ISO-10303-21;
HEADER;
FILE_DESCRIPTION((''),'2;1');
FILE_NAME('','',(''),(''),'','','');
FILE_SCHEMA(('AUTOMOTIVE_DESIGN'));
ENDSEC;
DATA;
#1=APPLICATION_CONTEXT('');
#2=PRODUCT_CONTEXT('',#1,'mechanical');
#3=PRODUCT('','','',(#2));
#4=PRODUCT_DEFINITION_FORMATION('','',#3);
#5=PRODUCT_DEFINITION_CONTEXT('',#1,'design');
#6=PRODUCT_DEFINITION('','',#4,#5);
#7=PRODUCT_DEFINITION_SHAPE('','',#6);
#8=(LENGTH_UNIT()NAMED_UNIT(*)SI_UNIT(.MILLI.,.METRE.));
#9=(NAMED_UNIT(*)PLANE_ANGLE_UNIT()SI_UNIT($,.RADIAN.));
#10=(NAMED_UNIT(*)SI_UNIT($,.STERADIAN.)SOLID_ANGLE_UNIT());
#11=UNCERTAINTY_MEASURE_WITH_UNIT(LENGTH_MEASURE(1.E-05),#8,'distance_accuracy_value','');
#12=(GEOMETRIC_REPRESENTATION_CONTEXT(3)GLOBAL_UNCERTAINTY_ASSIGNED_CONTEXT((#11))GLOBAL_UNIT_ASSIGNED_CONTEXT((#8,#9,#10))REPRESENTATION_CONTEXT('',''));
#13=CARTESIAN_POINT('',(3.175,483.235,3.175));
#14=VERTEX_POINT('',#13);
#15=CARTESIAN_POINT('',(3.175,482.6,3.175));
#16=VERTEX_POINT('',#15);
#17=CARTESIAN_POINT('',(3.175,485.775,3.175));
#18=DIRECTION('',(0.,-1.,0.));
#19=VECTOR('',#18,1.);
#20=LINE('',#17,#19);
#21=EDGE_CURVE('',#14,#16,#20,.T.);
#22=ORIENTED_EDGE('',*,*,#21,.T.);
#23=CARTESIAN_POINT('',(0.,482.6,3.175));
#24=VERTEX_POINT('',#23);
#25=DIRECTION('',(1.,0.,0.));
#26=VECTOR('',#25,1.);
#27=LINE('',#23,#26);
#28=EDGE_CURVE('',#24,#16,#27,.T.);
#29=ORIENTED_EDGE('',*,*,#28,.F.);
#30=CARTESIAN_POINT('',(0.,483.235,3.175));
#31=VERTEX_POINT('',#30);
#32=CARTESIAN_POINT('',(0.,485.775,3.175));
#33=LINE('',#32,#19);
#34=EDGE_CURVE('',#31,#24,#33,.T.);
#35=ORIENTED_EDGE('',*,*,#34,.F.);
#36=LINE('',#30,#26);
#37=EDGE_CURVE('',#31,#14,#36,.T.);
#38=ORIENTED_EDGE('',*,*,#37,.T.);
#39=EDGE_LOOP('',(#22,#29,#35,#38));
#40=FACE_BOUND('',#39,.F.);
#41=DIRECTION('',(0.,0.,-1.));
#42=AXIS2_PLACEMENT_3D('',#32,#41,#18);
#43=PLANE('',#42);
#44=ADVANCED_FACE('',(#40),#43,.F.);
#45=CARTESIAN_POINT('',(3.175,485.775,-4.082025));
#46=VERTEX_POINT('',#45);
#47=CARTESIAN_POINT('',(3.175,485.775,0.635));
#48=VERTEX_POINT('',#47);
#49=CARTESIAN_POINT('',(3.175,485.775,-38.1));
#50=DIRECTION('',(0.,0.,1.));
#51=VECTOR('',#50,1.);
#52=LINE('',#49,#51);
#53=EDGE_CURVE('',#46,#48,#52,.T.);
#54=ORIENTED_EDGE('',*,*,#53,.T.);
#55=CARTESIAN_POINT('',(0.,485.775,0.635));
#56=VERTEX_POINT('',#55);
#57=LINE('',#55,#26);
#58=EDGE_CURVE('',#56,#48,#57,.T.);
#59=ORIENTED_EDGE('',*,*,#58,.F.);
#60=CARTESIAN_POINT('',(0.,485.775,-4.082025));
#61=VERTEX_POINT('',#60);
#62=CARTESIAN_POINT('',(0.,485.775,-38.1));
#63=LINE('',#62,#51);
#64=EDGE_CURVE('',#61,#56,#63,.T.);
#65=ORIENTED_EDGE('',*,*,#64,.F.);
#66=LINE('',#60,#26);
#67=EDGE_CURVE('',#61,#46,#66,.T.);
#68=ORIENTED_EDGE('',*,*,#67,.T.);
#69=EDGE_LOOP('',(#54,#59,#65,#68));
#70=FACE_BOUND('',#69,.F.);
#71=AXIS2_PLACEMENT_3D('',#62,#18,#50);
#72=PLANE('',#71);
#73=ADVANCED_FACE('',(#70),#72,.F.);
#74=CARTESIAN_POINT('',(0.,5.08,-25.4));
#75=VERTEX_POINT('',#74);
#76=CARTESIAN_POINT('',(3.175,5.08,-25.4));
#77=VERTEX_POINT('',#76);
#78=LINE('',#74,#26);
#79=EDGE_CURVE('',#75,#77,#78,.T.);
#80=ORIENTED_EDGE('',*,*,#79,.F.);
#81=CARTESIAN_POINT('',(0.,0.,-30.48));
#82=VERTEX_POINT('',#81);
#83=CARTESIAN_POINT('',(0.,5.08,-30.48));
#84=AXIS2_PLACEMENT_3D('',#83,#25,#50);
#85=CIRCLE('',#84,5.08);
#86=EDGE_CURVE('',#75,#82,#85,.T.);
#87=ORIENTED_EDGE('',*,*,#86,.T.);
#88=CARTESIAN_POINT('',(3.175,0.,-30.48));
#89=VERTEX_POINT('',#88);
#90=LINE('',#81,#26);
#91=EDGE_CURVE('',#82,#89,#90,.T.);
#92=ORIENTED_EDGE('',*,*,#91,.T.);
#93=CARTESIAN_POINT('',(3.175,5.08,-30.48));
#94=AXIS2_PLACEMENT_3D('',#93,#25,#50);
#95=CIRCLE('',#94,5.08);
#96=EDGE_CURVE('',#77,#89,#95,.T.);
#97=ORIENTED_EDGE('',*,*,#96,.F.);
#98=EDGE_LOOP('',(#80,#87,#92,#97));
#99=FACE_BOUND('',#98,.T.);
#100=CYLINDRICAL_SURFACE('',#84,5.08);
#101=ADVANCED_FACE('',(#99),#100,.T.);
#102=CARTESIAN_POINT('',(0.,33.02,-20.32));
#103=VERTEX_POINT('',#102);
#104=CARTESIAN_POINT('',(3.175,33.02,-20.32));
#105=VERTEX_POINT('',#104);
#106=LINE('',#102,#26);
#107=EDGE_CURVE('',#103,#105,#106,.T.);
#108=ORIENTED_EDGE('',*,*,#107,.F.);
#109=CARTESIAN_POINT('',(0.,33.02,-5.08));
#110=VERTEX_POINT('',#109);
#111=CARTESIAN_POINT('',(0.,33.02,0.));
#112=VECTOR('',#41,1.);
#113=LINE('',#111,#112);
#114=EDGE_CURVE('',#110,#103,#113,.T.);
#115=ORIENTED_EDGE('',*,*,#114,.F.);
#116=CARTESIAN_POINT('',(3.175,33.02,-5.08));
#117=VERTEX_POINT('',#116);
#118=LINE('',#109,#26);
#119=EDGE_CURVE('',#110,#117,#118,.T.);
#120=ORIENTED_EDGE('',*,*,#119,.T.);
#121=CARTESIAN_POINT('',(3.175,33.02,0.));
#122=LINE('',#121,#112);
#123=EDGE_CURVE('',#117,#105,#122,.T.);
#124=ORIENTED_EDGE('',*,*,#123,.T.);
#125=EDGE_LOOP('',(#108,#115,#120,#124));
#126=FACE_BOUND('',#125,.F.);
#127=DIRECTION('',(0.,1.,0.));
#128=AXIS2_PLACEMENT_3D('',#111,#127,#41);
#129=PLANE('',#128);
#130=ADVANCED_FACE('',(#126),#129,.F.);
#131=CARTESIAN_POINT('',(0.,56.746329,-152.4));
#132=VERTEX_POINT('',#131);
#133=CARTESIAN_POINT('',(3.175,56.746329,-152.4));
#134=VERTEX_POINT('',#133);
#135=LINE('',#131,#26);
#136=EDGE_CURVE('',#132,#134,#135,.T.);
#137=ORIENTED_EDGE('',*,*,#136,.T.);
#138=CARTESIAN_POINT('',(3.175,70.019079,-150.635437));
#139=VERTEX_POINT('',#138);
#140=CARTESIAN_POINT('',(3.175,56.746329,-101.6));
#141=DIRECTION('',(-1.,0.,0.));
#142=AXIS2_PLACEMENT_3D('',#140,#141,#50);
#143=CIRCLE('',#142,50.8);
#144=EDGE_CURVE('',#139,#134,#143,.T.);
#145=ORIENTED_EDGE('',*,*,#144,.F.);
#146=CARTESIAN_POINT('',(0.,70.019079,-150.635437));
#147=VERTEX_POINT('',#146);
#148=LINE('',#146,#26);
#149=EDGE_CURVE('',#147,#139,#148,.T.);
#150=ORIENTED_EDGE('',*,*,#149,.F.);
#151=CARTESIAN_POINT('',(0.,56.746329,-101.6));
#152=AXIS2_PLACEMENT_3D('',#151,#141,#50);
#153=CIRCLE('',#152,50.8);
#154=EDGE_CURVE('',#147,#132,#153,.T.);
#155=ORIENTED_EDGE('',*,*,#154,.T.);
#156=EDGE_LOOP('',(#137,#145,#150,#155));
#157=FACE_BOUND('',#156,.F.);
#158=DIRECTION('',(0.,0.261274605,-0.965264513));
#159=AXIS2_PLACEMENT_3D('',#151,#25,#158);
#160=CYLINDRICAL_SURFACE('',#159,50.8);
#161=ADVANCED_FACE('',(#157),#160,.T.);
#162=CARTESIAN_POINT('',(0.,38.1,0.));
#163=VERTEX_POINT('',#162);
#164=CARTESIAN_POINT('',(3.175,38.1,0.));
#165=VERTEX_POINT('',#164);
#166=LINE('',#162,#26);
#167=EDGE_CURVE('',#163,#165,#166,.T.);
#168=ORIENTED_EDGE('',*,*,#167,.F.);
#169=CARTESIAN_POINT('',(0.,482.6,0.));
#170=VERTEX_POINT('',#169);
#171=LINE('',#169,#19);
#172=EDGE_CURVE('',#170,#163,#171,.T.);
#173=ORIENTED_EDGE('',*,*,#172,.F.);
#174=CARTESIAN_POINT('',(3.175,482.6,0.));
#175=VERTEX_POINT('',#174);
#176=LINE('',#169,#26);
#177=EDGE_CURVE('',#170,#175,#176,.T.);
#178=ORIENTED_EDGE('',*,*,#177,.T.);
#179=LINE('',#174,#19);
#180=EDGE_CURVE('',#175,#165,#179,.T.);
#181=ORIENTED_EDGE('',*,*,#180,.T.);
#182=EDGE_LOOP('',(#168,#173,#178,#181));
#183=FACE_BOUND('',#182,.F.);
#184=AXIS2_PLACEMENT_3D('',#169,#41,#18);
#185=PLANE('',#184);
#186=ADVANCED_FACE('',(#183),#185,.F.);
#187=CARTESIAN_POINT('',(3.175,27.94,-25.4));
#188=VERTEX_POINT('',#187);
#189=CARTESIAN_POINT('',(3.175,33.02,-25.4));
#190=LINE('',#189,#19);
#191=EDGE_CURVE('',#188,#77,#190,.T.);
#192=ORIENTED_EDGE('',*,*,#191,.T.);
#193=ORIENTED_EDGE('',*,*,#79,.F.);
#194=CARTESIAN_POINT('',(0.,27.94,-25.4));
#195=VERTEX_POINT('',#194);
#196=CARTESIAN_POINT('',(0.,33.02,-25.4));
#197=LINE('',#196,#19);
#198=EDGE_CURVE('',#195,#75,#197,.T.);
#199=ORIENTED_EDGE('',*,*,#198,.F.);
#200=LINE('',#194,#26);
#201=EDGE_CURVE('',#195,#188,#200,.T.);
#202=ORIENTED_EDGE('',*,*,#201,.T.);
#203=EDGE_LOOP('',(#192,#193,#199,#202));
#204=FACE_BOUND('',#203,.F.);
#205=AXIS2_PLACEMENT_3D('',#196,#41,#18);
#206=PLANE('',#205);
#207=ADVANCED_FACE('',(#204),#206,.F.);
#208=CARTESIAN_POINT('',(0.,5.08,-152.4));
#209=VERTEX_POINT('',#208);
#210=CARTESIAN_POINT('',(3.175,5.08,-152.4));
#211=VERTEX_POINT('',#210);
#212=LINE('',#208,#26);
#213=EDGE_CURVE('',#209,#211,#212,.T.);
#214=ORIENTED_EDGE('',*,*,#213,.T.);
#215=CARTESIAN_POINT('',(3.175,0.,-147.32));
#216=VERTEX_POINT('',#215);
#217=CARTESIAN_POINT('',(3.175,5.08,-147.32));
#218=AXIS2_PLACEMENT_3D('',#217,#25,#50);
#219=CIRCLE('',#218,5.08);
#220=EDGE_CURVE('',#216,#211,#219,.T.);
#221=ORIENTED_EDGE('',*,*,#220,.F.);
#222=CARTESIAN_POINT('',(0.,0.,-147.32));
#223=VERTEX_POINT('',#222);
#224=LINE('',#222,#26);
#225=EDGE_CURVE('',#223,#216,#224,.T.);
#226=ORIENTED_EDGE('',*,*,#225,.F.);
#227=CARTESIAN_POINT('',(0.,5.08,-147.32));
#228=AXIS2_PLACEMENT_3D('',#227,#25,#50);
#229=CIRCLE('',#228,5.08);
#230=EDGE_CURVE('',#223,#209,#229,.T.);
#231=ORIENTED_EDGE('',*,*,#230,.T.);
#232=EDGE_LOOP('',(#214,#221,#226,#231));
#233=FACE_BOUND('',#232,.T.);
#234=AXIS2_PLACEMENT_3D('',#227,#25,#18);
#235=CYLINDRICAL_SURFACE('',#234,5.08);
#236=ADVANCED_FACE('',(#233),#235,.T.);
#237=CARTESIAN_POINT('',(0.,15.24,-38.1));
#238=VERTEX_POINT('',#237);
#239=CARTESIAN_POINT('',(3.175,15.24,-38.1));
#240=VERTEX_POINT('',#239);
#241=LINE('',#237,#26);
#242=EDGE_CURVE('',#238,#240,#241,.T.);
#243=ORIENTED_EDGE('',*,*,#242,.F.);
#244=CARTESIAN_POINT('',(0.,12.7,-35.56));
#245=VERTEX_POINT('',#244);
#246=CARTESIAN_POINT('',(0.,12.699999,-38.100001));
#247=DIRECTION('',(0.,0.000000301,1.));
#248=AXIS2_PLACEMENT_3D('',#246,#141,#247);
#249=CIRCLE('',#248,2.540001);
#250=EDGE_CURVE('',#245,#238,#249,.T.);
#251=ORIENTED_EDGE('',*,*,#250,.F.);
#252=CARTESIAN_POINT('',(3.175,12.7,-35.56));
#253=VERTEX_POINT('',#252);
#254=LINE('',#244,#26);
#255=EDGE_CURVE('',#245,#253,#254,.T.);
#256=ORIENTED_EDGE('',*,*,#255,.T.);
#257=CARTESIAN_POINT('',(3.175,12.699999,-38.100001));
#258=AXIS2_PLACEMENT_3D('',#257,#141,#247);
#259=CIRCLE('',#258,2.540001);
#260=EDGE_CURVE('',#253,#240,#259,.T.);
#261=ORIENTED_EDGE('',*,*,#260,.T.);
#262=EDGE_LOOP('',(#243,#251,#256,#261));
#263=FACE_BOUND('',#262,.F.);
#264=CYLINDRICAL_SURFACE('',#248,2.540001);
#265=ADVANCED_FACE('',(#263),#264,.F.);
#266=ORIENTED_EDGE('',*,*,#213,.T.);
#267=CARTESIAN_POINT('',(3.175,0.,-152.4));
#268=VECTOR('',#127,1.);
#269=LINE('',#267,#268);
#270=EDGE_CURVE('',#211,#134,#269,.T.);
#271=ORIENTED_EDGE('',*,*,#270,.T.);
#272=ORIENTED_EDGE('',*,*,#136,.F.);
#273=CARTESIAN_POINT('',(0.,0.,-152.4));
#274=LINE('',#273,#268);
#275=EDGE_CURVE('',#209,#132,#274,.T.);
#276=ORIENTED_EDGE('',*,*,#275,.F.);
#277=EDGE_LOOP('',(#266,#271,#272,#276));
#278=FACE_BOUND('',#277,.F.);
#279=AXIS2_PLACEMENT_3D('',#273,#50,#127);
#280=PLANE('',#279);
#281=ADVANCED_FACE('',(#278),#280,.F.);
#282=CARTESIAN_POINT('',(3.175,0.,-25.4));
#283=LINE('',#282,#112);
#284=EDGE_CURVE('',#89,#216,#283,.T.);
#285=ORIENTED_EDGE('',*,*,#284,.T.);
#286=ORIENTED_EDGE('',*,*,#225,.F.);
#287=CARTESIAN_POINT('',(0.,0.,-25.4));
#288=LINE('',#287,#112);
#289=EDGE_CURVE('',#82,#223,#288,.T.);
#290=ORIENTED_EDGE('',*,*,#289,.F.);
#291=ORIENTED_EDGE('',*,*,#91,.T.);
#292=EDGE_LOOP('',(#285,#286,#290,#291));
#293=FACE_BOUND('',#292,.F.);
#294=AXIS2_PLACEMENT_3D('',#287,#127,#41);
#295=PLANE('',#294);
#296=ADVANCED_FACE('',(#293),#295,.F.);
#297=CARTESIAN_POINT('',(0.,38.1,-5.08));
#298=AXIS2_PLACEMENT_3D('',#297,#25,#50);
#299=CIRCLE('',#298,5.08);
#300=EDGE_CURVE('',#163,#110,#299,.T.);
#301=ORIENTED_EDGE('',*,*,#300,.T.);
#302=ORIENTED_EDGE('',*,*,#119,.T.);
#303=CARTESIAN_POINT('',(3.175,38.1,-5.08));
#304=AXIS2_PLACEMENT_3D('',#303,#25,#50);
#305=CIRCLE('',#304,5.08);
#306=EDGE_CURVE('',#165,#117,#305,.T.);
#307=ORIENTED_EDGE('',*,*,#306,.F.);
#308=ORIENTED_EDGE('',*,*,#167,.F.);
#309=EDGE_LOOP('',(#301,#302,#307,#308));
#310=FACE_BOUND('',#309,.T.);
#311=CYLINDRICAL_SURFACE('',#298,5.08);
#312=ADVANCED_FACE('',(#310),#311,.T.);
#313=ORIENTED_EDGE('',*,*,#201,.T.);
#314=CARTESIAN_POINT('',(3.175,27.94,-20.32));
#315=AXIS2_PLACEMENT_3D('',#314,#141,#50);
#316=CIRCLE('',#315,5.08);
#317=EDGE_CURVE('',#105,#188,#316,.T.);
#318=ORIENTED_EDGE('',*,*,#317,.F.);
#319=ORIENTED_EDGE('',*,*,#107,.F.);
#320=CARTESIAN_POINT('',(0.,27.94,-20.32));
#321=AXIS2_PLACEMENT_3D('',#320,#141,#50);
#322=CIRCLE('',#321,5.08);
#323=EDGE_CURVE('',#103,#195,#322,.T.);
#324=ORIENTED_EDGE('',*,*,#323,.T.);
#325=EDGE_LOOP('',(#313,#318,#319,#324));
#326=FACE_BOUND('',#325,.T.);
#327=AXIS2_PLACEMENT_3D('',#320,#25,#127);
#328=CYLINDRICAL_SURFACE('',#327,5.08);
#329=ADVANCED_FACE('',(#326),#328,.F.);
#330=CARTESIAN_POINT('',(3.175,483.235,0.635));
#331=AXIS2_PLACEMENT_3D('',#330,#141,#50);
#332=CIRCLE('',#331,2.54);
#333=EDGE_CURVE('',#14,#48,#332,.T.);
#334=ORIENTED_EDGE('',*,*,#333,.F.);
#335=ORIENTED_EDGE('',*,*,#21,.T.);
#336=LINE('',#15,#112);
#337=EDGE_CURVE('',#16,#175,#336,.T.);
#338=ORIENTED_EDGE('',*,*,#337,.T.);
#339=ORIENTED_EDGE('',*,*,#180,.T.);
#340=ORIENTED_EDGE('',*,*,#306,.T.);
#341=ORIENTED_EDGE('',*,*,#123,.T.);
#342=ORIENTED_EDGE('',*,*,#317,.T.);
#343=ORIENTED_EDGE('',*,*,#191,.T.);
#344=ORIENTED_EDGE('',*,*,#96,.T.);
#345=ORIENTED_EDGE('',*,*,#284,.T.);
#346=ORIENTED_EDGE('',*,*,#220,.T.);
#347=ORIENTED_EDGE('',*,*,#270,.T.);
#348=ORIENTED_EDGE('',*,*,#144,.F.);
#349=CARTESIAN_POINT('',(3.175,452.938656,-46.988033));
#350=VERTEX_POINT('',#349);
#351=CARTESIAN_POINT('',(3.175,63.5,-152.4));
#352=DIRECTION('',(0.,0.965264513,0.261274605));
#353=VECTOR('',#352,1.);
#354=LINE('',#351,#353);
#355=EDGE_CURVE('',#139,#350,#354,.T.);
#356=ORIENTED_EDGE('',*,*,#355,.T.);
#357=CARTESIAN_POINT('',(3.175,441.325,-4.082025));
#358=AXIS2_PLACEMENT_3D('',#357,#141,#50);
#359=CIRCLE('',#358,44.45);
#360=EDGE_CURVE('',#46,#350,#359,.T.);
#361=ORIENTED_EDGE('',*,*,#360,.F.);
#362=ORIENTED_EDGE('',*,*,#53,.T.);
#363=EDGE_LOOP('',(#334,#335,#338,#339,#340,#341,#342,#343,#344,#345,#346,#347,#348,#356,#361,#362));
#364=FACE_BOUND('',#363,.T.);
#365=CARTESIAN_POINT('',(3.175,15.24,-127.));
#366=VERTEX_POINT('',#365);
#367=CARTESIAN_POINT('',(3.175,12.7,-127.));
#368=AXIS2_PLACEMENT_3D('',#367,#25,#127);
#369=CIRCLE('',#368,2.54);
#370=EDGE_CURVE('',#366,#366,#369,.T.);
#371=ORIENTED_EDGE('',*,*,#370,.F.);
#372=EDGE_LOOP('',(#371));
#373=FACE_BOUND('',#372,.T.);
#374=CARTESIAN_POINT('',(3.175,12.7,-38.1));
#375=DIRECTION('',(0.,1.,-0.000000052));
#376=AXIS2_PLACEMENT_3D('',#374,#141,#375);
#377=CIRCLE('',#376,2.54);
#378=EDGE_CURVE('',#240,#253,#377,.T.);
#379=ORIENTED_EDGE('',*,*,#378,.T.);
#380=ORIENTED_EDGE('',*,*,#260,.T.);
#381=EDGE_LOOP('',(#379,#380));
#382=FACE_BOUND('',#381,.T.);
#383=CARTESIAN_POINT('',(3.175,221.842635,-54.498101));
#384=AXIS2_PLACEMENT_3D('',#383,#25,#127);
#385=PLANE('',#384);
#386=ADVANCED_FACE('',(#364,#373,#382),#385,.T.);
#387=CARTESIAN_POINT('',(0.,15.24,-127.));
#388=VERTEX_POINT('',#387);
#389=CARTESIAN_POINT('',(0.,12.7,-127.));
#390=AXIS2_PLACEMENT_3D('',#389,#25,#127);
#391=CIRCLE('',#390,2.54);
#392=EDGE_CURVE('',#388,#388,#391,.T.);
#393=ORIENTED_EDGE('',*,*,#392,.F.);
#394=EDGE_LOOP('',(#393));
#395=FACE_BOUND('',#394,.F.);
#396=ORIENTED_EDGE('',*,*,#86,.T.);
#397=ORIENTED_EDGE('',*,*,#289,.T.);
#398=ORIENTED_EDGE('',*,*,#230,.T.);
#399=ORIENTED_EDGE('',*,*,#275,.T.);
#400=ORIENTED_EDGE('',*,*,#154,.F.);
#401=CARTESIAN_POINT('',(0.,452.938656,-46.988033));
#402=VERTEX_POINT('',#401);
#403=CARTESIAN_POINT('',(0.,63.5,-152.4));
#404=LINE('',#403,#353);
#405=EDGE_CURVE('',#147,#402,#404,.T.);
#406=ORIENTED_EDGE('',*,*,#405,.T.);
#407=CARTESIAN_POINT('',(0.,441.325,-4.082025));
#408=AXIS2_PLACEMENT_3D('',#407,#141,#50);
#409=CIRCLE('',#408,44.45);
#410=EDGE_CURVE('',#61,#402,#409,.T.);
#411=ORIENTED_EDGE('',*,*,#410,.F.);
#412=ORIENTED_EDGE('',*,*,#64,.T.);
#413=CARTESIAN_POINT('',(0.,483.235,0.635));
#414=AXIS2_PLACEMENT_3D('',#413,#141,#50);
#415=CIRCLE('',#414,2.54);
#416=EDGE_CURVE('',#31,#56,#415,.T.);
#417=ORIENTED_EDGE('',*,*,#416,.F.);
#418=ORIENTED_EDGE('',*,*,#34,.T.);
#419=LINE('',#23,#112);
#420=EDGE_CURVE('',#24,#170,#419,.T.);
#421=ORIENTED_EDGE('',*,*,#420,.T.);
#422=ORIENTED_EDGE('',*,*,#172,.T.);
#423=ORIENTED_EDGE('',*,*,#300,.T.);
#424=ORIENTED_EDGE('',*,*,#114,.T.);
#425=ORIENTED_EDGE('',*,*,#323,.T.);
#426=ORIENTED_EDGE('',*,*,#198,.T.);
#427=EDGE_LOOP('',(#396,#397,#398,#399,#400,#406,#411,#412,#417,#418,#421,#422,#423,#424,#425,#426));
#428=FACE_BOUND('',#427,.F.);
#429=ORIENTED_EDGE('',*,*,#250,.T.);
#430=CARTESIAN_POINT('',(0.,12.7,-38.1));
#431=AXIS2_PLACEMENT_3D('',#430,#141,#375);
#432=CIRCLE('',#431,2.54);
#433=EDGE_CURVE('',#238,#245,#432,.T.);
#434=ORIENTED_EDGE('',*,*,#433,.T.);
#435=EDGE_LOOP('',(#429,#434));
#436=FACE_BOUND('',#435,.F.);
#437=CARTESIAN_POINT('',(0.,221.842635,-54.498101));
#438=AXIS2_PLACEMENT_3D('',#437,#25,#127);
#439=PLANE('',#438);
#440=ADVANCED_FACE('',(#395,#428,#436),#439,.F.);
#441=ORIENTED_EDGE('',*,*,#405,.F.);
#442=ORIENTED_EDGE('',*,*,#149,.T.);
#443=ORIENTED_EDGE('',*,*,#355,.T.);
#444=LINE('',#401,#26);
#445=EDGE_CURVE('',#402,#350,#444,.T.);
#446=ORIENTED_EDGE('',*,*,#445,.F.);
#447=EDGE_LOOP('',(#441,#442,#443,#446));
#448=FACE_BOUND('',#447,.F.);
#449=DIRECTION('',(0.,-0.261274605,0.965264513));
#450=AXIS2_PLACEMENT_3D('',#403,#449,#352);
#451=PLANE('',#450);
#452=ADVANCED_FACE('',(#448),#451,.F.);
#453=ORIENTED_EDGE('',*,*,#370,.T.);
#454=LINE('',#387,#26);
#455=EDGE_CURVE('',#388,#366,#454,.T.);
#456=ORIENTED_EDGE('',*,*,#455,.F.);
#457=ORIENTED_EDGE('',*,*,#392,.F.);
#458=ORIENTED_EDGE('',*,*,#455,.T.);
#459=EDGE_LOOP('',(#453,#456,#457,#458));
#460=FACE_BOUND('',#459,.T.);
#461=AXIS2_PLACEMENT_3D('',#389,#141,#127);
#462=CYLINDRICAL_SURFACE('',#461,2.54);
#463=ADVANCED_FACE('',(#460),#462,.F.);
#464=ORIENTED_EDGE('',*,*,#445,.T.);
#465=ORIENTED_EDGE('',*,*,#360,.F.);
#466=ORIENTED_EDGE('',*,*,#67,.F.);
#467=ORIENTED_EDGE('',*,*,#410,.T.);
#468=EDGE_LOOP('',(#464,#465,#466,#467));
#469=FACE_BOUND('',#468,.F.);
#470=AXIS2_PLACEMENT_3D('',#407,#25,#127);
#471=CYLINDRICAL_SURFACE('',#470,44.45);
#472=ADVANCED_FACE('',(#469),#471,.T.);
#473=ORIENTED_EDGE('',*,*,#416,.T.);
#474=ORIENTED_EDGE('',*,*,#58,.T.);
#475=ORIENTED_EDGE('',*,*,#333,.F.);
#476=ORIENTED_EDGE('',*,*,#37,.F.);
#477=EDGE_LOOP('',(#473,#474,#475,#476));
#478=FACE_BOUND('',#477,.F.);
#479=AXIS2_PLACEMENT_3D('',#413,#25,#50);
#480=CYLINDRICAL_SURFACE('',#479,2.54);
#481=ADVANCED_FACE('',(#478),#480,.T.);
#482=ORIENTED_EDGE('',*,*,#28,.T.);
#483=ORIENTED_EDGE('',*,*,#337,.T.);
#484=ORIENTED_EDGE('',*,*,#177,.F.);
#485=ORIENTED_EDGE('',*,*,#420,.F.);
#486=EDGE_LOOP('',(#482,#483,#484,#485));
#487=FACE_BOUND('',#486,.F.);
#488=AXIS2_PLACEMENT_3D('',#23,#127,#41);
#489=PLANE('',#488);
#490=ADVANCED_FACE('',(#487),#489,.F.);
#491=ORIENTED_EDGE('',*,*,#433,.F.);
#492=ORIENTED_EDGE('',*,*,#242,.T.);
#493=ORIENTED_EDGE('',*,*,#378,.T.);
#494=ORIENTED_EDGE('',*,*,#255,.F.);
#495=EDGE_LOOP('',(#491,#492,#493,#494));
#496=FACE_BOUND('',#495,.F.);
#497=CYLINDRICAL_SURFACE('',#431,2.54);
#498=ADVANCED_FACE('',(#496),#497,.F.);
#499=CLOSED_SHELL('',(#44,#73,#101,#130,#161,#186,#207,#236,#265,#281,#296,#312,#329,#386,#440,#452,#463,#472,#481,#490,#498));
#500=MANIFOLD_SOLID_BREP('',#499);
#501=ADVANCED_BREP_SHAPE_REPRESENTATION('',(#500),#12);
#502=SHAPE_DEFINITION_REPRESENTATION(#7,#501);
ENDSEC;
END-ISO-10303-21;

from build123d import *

# Parameters (mm, degrees)
F0_R     = 2.54
F1_DEPTH = 3.175
F2_R     = 5.08
F3_R     = 2.54
F4_R     = 44.45
F5_R     = 50.8


with BuildPart() as f1:
    # F0 (on Right) → F1 (new body)
    with BuildSketch(Plane.YZ):
        Polygon((482.6, 0), (33.02, 0), (33.02, -25.4), (12.7, -25.4), (0, -25.4), (0, -152.4), (63.5, -152.4), (485.775, -38.1), (485.775, 3.175), (482.6, 3.175), align=None)
        with Locations((12.7, -127)):
            Circle(F0_R, mode=Mode.SUBTRACT)
        with BuildLine():
            ThreePointArc((15.24, -38.1), (10.903949, -39.896051), (12.7, -35.56))
            ThreePointArc((12.7, -35.56), (14.496051, -36.303949), (15.24, -38.1))
        make_face(mode=Mode.SUBTRACT)
    extrude(amount=F1_DEPTH)

    # F2
    f2_edges = [f1.edges().sort_by_distance(p)[0] for p in [
        (1.5875, 0, -152.4),
        (1.5875, 0, -25.4),
        (1.5875, 33.02, 0),
        (1.5875, 33.02, -25.4),
    ]]
    fillet(f2_edges, radius=F2_R)

    # F3
    f3_edges = [f1.edges().sort_by_distance(p)[0] for p in [
        (1.5875, 485.775, 3.175),
    ]]
    fillet(f3_edges, radius=F3_R)

    # F4
    f4_edges = [f1.edges().sort_by_distance(p)[0] for p in [
        (1.5875, 485.775, -38.1),
    ]]
    fillet(f4_edges, radius=F4_R)

    # F5
    f5_edges = [f1.edges().sort_by_distance(p)[0] for p in [
        (1.5875, 63.5, -152.4),
    ]]
    fillet(f5_edges, radius=F5_R)


solid = f1.part
